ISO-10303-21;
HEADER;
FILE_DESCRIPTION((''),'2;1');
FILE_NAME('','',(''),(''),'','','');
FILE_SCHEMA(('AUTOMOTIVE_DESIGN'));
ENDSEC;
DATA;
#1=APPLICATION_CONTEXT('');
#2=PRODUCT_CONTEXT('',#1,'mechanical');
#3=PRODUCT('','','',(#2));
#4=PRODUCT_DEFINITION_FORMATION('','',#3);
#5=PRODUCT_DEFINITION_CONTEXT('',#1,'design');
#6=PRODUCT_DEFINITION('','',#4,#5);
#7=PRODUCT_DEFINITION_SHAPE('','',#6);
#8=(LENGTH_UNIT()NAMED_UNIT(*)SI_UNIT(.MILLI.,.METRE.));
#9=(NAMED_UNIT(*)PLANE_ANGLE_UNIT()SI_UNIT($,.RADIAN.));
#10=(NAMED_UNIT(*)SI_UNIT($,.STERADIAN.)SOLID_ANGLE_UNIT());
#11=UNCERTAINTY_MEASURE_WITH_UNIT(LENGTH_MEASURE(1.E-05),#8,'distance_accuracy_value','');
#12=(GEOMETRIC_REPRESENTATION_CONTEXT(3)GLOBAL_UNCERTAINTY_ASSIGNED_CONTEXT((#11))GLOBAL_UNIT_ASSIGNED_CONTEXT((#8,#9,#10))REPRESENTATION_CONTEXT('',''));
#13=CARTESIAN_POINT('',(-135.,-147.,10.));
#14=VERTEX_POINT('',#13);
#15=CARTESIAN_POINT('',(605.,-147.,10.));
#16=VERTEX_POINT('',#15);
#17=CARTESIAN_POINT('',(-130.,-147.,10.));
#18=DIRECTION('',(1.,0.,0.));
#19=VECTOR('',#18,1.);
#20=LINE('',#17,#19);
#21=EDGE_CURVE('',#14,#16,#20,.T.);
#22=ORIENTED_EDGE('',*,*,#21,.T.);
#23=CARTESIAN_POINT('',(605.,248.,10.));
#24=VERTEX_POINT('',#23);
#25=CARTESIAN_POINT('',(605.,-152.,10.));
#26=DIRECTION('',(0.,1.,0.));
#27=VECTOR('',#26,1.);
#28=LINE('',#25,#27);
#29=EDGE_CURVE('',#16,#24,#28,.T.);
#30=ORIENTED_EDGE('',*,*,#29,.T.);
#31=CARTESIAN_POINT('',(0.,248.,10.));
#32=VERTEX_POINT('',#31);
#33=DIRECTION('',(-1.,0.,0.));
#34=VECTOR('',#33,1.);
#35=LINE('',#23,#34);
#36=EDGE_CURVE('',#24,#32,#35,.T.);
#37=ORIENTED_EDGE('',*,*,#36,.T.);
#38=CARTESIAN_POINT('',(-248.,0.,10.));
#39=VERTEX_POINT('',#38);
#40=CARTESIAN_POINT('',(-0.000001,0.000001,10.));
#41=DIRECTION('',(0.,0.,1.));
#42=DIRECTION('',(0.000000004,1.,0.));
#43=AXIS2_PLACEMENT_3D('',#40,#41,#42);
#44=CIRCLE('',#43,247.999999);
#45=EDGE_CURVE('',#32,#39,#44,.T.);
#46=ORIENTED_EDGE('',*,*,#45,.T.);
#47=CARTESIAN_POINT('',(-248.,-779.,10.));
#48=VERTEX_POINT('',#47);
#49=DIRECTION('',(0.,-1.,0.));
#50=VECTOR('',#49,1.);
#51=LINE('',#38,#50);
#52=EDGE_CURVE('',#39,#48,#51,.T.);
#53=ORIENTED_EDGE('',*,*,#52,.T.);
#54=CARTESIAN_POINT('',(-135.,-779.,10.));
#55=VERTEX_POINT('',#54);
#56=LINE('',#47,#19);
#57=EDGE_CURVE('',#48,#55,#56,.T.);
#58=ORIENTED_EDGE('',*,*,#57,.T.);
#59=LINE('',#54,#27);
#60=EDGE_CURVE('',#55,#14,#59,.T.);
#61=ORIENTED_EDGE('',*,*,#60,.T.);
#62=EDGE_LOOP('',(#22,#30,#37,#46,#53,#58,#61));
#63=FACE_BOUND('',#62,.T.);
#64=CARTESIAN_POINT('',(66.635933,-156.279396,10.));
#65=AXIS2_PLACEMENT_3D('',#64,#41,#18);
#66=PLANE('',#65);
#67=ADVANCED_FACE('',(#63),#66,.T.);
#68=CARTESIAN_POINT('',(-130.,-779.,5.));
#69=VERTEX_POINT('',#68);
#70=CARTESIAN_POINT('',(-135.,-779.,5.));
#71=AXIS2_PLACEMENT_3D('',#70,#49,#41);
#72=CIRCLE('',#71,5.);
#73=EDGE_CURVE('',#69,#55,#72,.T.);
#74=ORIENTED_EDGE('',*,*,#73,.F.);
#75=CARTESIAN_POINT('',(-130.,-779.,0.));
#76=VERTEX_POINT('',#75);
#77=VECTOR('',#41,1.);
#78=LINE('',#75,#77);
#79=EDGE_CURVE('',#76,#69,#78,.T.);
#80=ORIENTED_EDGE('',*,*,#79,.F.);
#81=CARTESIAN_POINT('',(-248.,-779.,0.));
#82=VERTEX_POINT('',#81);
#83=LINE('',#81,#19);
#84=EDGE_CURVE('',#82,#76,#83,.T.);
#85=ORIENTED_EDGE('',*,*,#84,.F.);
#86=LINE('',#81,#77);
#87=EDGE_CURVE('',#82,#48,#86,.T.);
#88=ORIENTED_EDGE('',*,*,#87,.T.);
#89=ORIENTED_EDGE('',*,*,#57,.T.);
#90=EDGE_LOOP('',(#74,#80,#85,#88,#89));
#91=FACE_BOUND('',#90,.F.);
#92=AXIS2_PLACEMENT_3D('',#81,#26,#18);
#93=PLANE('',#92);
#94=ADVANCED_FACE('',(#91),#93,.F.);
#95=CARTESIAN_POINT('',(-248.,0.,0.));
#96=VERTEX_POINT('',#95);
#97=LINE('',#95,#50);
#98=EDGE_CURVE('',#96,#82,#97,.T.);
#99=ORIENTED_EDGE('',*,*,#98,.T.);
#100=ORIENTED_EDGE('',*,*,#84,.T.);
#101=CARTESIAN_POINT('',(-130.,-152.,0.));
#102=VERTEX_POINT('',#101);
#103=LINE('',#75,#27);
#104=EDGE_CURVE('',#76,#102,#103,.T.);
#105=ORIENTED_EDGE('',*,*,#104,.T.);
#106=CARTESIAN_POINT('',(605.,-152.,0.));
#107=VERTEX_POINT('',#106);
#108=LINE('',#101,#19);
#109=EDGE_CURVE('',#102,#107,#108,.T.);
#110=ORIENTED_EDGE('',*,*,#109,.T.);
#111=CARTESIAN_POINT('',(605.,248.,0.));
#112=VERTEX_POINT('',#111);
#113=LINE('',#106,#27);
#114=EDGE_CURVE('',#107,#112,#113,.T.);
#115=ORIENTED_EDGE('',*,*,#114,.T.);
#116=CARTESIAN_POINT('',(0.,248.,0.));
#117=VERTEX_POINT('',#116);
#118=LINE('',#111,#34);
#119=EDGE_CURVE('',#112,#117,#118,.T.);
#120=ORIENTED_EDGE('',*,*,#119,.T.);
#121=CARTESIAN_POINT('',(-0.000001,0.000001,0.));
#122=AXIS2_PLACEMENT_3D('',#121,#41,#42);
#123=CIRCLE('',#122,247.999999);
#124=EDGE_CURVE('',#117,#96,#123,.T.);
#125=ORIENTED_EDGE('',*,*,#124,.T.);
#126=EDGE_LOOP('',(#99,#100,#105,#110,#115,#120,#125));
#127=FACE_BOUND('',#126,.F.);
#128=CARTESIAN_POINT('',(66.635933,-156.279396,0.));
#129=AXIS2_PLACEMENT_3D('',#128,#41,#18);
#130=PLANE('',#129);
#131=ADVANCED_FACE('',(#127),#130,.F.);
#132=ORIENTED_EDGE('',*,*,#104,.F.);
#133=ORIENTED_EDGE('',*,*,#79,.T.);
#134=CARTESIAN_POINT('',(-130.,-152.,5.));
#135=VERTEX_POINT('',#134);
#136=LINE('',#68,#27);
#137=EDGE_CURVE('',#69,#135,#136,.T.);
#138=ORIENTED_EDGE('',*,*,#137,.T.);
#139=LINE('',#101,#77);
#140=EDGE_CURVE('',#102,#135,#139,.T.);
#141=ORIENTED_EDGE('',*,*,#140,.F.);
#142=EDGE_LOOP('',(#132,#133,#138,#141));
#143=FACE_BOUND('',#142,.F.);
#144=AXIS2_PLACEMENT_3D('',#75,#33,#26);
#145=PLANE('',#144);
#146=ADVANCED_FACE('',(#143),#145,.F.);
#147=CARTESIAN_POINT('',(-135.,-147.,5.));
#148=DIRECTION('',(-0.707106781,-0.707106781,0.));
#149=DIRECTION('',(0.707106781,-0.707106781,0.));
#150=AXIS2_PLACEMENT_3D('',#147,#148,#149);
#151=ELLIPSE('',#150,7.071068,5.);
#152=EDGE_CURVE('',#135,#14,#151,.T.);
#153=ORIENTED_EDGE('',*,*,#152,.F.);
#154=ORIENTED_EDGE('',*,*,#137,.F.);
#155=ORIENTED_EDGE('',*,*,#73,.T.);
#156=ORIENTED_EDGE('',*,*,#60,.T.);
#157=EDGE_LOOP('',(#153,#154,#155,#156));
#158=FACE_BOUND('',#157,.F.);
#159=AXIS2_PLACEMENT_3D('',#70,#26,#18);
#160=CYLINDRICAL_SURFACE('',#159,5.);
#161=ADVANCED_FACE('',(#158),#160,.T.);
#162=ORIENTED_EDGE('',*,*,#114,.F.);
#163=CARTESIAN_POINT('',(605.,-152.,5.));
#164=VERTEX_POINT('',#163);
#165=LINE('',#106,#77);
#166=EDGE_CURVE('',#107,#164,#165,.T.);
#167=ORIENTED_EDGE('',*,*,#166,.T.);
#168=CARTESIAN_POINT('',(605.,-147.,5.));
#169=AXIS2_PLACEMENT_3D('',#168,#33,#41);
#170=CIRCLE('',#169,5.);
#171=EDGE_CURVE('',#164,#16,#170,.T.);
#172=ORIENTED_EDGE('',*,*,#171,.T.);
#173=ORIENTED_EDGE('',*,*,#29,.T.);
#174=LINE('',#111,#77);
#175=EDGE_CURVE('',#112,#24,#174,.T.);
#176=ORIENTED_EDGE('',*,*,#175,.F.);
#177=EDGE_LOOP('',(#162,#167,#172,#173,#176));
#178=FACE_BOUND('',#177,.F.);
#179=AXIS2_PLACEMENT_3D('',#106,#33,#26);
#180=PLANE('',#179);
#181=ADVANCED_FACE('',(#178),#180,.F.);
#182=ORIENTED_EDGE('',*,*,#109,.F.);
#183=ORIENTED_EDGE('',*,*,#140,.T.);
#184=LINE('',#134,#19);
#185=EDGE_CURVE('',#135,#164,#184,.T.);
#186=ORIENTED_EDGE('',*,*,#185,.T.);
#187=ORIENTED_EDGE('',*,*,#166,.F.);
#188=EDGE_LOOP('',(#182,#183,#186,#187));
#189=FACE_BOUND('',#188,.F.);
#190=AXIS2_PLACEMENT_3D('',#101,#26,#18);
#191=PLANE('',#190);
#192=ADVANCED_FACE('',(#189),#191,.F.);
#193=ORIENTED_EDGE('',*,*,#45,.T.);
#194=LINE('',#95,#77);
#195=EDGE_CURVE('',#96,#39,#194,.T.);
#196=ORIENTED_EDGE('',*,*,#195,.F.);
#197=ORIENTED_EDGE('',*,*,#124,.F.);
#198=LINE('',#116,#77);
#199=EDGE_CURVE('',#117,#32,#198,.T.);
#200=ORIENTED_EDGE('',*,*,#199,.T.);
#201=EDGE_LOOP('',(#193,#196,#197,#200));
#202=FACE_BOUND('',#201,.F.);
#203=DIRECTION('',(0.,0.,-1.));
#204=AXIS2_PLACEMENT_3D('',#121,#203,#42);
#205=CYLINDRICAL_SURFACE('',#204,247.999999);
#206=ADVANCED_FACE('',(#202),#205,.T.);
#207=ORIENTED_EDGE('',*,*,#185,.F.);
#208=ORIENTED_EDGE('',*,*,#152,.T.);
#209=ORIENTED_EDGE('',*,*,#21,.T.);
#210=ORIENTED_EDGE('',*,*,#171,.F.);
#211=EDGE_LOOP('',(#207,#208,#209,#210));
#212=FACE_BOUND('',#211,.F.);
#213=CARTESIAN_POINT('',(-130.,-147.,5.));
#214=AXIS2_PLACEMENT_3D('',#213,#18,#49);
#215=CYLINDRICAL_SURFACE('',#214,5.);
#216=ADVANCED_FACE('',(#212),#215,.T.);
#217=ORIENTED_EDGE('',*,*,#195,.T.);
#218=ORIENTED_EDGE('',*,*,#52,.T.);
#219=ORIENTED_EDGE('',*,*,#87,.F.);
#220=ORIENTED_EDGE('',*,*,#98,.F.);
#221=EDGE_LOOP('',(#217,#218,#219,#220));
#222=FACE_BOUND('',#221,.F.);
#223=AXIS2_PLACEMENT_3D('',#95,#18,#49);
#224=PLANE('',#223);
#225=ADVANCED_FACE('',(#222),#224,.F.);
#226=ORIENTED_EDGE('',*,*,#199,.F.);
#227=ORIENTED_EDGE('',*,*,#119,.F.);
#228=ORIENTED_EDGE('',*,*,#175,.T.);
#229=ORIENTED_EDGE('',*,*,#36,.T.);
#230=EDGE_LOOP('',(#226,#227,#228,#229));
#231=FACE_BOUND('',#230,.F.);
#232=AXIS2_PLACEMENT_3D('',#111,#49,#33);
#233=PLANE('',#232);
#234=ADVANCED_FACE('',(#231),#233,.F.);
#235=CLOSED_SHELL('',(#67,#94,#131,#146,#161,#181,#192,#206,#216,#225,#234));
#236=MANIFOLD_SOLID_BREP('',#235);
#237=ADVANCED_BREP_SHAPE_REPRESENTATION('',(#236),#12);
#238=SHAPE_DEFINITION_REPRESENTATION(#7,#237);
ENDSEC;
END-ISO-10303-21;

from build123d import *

# Parameters (mm, degrees)
F1_DEPTH = 10
F2_R     = 5


with BuildPart() as f1:
    # F0 (on Top) → F1 (new body)
    with BuildSketch(Plane.XY):
        with BuildLine():
            ThreePointArc((0, 248), (-175.362482, 175.362482), (-248, 0))
            Line((-248, 0), (-248, -779))
            Line((-248, -779), (-130, -779))
            Line((-130, -779), (-130, -152))
            Line((-130, -152), (605, -152))
            Line((605, -152), (605, 248))
            Line((605, 248), (0, 248))
        make_face()
    extrude(amount=F1_DEPTH)

    # F2
    f2_edges = [f1.edges().sort_by_distance(p)[0] for p in [
        (237.5, -152, 10),
        (-130, -465.5, 10),
    ]]
    fillet(f2_edges, radius=F2_R)


solid = f1.part
